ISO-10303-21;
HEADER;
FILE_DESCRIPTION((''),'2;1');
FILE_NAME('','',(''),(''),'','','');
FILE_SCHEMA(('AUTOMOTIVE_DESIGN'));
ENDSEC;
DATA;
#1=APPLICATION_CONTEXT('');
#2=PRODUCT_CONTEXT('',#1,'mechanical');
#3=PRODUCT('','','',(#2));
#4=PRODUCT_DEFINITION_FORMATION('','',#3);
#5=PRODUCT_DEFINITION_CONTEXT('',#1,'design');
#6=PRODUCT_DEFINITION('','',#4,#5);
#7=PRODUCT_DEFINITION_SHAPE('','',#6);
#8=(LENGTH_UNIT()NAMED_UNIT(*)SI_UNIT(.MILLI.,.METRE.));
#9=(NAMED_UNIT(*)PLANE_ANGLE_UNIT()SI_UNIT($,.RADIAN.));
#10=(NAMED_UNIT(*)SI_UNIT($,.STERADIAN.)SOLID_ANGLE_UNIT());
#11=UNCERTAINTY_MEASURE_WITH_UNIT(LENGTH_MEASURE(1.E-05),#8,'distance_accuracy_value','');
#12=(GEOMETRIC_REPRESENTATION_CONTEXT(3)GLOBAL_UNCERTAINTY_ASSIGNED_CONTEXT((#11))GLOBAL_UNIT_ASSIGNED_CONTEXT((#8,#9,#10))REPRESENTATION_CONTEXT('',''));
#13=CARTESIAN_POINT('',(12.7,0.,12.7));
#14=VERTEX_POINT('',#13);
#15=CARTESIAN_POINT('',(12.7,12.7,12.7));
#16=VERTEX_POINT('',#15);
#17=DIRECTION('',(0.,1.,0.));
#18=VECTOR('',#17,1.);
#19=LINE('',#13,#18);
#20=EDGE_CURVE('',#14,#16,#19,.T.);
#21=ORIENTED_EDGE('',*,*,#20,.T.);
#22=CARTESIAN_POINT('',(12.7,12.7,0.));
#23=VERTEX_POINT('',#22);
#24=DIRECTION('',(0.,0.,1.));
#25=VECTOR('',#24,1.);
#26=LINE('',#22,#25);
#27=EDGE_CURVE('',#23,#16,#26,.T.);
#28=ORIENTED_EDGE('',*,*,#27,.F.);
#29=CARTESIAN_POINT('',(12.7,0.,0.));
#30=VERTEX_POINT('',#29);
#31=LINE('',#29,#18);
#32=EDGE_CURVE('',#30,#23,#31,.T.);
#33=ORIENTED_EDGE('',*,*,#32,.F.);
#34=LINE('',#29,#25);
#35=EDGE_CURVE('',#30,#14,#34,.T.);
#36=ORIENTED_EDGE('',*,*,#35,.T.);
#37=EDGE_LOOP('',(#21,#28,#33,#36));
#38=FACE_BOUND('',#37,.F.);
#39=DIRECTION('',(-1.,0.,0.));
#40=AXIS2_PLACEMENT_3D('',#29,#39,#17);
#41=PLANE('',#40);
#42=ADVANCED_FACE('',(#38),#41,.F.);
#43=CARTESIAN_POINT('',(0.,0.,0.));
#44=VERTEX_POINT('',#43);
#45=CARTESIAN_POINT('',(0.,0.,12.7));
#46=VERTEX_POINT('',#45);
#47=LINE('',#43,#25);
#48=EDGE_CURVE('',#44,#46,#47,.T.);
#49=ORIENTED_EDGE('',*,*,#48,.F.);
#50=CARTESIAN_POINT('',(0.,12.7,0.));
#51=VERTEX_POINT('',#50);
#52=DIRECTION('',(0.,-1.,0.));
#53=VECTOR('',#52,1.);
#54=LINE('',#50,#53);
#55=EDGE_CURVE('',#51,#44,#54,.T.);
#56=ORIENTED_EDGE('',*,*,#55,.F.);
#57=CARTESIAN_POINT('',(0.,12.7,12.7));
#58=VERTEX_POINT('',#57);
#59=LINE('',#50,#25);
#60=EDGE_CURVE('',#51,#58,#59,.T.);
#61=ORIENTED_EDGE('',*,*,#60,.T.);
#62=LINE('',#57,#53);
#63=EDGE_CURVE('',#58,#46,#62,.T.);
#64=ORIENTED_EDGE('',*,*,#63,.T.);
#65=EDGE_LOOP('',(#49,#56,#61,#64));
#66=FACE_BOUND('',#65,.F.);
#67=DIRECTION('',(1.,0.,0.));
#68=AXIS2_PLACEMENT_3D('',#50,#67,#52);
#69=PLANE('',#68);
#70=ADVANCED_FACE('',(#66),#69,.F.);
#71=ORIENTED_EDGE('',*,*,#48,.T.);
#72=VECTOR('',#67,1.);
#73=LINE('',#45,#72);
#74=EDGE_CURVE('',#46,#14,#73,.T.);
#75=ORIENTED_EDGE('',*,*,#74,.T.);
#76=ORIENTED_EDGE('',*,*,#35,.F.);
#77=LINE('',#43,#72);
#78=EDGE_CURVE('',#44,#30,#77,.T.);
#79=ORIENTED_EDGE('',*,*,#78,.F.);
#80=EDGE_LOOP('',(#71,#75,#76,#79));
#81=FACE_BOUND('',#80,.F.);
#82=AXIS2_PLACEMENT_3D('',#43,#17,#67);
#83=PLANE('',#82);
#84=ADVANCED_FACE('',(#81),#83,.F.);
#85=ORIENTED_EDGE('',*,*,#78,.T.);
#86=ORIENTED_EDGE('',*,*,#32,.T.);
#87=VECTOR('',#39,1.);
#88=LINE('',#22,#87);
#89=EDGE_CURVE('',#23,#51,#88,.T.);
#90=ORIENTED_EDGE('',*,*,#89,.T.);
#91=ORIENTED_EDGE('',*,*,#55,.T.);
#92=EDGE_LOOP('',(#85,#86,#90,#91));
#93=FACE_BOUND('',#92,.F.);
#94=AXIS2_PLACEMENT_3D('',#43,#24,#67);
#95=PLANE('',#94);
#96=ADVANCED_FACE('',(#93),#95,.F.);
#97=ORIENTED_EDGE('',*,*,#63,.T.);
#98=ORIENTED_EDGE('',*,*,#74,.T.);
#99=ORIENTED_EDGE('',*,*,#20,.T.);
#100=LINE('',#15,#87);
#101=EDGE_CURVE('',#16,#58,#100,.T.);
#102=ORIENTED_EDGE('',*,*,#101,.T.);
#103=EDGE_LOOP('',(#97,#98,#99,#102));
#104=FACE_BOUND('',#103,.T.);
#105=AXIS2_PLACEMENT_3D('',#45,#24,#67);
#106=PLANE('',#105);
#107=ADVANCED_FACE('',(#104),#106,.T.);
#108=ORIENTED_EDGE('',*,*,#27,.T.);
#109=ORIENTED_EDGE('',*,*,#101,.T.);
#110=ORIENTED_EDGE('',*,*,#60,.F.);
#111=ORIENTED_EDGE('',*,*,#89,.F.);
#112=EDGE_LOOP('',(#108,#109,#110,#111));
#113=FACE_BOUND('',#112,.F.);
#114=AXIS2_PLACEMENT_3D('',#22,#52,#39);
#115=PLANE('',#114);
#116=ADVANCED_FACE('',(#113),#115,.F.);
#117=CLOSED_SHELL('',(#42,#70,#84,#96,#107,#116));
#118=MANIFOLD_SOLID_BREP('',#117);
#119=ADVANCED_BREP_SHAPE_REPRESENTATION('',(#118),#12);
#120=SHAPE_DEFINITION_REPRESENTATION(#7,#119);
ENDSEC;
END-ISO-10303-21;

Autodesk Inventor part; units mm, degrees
ref_plane "YZ Plane" through (0, 0, 0) normal (1, 0, 0) x (0, 1, 0)
ref_plane "XZ Plane" through (0, 0, 0) normal (0, 1, 0) x (-1, 0, 0)
ref_plane "XY Plane" through (0, 0, 0) normal (0, 0, 1) x (1, 0, 0)
sketch "Sketch1" plane through (0, 0, 0) normal (0, 0, 1) x (1, 0, 0)
  line L0 (0, 0) -> (12.7, 0)
  line L1 (12.7, 0) -> (12.7, 12.7)
  line L2 (12.7, 12.7) -> (0, 12.7)
  line L3 (0, 12.7) -> (0, 0)
  dimension "d0" = 12.7
  dimension "d1" = 12.7
extrude "Extrusion1" add sketch "Sketch1" along normal blind 12.7
properties part number "halfinchspacer"
